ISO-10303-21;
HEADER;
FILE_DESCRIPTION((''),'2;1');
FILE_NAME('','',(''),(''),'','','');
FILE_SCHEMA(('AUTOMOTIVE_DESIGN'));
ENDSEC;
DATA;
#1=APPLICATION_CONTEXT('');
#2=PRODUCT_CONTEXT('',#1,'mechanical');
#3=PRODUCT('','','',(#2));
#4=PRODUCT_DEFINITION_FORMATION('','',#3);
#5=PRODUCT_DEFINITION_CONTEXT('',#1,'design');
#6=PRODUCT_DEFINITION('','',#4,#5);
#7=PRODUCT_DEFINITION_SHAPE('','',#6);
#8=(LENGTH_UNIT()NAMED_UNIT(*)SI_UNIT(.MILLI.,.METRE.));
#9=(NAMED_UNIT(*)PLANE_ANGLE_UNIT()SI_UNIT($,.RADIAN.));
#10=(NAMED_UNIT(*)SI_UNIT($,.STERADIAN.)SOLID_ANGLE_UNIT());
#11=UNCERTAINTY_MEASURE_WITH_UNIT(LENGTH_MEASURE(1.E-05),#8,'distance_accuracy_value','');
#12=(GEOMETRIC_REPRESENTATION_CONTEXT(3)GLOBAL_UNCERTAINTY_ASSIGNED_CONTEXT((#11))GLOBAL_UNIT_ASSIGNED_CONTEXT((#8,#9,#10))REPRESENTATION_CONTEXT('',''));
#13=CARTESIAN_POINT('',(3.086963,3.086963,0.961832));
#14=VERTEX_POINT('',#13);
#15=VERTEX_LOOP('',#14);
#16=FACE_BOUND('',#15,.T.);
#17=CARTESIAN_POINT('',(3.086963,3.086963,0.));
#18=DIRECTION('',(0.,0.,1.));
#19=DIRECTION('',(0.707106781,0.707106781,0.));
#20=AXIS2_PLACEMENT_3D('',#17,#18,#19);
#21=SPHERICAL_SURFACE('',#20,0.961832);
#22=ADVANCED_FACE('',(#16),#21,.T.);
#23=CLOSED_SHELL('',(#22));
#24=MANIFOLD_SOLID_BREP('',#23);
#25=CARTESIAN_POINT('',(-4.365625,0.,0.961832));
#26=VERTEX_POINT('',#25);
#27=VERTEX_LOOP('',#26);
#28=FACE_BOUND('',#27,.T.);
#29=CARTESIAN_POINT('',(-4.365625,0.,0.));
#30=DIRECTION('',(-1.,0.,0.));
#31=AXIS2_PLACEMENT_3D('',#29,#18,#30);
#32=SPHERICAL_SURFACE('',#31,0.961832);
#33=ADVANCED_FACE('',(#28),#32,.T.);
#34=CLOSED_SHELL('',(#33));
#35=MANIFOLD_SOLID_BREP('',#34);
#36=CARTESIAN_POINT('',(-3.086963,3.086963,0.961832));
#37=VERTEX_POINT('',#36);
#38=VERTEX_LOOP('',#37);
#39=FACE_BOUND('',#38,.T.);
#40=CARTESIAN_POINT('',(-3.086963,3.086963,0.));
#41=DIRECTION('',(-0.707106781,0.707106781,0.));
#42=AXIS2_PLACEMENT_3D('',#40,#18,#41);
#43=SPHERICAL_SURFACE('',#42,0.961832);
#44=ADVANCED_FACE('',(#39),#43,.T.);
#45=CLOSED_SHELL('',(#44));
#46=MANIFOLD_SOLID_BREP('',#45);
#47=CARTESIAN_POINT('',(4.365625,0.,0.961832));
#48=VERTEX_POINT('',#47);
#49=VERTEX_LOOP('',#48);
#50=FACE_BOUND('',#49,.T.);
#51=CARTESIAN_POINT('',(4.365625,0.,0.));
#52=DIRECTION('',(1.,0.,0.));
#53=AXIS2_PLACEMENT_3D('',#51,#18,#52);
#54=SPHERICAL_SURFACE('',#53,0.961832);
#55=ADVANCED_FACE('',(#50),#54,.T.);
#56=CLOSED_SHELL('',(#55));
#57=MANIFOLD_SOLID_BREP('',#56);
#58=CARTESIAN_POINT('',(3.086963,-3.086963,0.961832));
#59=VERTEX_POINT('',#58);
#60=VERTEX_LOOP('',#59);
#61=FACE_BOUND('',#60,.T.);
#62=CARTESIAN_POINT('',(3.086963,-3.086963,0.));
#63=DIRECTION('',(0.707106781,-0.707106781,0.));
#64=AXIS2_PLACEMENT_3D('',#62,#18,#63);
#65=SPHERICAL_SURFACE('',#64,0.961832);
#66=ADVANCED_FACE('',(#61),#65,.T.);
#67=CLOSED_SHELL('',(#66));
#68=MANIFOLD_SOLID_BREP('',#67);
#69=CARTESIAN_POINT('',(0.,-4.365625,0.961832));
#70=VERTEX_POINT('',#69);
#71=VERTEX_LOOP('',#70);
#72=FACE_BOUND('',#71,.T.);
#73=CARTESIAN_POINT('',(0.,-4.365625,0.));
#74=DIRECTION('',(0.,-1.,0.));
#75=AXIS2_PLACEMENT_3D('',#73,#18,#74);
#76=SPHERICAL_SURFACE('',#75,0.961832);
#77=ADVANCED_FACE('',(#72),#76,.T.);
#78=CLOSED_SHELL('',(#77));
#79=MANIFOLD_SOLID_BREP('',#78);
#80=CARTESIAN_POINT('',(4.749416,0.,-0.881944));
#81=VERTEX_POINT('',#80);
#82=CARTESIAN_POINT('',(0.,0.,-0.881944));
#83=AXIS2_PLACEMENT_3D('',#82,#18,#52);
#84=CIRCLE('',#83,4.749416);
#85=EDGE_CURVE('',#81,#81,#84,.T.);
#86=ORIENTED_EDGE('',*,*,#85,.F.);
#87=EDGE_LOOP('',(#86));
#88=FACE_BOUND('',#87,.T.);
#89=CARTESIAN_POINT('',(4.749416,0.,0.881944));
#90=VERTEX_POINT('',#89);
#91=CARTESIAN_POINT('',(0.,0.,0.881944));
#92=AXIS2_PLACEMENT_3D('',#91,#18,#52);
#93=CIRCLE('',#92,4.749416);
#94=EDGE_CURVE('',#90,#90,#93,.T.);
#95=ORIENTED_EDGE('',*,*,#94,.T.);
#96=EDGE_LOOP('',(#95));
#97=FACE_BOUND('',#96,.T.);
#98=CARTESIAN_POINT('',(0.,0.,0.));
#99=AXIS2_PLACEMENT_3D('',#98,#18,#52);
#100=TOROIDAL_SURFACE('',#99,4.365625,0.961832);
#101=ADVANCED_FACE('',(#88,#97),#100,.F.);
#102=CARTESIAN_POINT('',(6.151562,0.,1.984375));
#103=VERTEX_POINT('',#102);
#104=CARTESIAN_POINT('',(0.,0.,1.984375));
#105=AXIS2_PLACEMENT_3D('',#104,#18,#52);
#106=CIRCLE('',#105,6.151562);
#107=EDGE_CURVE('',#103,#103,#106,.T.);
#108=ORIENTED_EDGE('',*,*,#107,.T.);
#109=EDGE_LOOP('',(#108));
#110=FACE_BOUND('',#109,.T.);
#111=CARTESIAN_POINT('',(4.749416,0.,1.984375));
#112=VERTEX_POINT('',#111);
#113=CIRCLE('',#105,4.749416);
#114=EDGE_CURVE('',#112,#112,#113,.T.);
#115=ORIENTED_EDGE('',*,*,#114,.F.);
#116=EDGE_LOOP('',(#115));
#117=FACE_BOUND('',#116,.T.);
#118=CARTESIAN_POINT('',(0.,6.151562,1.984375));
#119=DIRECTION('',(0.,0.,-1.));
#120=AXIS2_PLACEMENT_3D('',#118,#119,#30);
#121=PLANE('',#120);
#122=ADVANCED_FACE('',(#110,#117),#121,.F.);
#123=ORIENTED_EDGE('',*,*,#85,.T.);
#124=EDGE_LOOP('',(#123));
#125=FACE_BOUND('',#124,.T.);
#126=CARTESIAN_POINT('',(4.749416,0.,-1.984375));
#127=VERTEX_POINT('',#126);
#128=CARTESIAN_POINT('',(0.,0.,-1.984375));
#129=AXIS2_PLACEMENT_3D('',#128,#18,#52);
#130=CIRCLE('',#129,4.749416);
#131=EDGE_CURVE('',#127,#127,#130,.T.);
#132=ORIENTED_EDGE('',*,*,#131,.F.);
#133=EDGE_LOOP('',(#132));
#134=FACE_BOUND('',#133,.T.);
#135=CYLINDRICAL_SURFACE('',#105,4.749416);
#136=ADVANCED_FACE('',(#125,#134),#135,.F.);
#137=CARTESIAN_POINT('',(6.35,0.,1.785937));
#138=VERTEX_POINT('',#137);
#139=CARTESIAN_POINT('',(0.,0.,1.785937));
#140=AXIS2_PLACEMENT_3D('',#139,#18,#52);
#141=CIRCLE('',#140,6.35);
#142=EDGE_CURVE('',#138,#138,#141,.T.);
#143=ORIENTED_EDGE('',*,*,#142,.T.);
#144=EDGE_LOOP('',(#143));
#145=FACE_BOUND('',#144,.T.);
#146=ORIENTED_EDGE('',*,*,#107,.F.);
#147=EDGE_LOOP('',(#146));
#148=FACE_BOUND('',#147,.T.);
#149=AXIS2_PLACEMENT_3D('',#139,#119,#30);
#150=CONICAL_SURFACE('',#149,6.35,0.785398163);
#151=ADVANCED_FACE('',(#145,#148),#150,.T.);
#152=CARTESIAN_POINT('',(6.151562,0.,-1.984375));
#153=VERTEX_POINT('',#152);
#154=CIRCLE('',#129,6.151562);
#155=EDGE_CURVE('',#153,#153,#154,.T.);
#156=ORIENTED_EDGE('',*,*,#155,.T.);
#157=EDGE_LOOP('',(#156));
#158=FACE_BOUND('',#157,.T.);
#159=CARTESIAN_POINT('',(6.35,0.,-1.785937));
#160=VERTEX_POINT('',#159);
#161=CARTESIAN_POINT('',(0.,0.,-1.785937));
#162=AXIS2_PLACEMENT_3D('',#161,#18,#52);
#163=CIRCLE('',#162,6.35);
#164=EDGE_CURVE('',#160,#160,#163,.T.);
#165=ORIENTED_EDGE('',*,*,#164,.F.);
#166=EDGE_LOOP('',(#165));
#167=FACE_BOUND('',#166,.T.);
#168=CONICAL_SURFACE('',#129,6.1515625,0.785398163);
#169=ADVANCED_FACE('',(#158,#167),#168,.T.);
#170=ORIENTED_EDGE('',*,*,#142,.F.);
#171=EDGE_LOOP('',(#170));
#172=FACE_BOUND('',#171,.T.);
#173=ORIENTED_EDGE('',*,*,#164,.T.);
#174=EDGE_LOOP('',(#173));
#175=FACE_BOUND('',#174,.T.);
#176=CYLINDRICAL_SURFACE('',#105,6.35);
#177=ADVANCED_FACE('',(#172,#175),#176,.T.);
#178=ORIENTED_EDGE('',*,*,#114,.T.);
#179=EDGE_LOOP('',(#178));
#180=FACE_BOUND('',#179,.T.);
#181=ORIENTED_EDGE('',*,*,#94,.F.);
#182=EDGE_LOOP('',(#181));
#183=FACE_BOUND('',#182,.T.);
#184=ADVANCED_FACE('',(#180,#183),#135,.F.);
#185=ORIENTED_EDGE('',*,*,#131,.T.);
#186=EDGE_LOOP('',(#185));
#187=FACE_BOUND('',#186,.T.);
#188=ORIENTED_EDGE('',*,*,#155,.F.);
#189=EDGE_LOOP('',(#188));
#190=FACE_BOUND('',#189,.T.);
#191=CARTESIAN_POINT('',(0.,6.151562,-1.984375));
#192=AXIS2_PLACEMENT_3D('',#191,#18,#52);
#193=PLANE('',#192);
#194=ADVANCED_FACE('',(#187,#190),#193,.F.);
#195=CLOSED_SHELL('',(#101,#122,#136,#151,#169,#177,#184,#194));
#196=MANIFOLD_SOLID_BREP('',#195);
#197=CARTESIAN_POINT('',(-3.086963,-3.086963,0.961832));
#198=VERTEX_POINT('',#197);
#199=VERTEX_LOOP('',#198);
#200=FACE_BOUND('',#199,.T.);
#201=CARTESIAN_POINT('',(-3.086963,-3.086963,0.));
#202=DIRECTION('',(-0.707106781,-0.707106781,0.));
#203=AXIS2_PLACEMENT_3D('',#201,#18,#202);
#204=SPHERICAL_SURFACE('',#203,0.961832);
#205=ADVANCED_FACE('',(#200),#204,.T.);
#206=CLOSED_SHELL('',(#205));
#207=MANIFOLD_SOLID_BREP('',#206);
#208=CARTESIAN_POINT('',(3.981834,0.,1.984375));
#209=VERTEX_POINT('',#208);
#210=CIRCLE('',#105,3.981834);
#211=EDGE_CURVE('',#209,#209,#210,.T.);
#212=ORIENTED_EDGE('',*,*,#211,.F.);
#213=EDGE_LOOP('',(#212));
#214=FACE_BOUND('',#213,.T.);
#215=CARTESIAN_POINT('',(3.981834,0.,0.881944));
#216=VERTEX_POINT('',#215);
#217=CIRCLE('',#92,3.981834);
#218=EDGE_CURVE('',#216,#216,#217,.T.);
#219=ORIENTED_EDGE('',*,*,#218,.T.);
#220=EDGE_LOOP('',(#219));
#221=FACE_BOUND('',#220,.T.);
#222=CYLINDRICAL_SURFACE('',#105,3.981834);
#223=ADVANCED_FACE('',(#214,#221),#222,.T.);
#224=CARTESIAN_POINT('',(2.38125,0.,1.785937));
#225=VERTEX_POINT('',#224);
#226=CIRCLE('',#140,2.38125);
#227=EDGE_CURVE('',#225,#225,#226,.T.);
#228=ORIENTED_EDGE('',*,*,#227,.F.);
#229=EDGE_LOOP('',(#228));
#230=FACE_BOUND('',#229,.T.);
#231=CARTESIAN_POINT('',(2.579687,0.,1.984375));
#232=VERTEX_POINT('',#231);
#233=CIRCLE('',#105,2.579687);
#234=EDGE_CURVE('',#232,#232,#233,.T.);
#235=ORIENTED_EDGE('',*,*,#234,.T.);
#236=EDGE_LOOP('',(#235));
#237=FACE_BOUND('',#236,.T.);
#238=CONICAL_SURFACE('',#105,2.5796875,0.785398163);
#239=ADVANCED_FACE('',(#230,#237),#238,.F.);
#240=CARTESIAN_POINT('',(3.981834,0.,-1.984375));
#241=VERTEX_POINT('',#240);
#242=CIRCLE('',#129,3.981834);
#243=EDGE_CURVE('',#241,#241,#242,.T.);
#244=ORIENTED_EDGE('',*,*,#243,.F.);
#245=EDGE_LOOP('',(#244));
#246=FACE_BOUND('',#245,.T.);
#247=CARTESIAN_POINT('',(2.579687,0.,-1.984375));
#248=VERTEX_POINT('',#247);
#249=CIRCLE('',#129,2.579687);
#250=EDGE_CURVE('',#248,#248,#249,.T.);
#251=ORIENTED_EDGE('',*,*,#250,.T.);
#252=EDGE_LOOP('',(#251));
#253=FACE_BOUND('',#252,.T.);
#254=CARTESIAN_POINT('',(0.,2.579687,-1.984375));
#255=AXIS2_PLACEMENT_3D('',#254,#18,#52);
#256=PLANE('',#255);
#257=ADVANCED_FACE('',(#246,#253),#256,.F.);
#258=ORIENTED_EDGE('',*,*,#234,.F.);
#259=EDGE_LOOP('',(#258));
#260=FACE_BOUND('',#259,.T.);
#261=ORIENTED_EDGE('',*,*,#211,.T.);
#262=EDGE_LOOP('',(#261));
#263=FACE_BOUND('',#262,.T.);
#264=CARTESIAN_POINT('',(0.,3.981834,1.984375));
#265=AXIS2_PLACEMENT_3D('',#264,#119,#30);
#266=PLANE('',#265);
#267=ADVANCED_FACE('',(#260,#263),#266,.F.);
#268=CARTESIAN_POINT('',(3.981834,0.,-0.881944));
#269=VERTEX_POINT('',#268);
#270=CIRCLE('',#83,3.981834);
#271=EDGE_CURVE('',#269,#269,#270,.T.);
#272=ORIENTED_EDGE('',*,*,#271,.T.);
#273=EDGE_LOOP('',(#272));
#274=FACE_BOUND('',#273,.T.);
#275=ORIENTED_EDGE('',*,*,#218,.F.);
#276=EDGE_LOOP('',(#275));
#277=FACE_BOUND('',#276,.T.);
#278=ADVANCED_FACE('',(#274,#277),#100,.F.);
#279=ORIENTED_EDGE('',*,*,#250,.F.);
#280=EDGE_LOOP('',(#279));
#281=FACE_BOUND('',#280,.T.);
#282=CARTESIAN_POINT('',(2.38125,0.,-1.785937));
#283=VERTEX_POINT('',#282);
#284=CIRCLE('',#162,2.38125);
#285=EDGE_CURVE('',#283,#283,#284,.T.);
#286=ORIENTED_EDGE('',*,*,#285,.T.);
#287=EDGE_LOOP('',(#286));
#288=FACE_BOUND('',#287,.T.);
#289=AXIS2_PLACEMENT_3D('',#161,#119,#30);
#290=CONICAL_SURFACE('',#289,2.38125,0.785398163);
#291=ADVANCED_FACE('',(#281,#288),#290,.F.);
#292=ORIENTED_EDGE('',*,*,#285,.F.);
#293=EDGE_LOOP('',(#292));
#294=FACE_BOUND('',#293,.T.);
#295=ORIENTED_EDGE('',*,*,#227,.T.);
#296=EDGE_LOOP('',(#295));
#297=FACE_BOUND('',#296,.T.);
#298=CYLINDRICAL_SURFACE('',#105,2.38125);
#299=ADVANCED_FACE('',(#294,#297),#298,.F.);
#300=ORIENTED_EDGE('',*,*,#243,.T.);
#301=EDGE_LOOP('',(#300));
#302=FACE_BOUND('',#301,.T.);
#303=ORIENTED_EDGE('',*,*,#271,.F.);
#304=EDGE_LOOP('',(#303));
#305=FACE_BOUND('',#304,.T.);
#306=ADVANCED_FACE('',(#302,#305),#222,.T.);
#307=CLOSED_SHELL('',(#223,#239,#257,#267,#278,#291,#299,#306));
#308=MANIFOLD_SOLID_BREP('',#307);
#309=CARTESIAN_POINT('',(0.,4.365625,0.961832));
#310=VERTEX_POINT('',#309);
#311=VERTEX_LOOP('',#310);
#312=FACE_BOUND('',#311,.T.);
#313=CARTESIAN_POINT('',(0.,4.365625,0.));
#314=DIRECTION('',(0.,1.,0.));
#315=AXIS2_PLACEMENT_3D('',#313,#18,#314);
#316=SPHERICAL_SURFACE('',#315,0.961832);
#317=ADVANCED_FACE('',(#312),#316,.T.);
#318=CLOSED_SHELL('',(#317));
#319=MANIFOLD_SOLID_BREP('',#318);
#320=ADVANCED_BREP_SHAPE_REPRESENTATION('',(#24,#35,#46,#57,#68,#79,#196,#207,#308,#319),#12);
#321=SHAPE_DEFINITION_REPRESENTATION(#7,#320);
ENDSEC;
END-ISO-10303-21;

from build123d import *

# Parameters (mm, degrees)
CIRPATTERN1_COUNT = 8


with BuildPart() as part:
    # Sketch1 → Revolve1 (revolve)
    with BuildSketch(Plane(origin=(0, 0, 0), x_dir=(0, 0, -1), z_dir=(1, 0, 0))):
        with BuildLine():
            Line((1.7859375, 6.35), (-1.7859375, 6.35))
            Line((-1.7859375, 6.35), (-1.984375, 6.1515625))
            Line((-1.984375, 6.1515625), (-1.984375, 4.749416209))
            Line((-1.984375, 4.749416209), (-0.881944444, 4.749416209))
            ThreePointArc((-0.881944444, 4.749416209), (0, 5.327457467), (0.881944444, 4.749416209))
            Line((0.881944444, 4.749416209), (1.984375, 4.749416209))
            Line((1.984375, 4.749416209), (1.984375, 6.1515625))
            Line((1.984375, 6.1515625), (1.7859375, 6.35))
        make_face()
    revolve(axis=Axis((0, 0, 1.984375), (0, 0, -1)))


with BuildPart() as body_2:
    # Sketch3 → Revolve3 (revolve)
    with BuildSketch(Plane(origin=(0, 0, 0), x_dir=(0, 0, -1), z_dir=(1, 0, 0))):
        with BuildLine():
            Line((-1.984375, 3.981833791), (-0.881944444, 3.981833791))
            ThreePointArc((-0.881944444, 3.981833791), (0, 3.403792533), (0.881944444, 3.981833791))
            Line((0.881944444, 3.981833791), (1.984375, 3.981833791))
            Line((1.984375, 3.981833791), (1.984375, 2.5796875))
            Line((1.984375, 2.5796875), (1.7859375, 2.38125))
            Line((1.7859375, 2.38125), (-1.7859375, 2.38125))
            Line((-1.7859375, 2.38125), (-1.984375, 2.5796875))
            Line((-1.984375, 2.5796875), (-1.984375, 3.981833791))
        make_face()
    revolve(axis=Axis((0, 0, 1.984375), (0, 0, -1)))


with BuildPart() as body_3:
    # Sketch4 → Revolve4 (revolve)
    with BuildSketch(Plane(origin=(0, 0, 0), x_dir=(0, 0, -1), z_dir=(1, 0, 0))):
        with BuildLine():
            Line((-0.961832467, 4.365625), (0.961832467, 4.365625))
            ThreePointArc((0.961832467, 4.365625), (0, 5.327457467), (-0.961832467, 4.365625))
        make_face()
    revolve(axis=Axis((0, 4.365625, 0.961832467), (0, 0, -1)))


with BuildPart() as cirpattern1_1:
    # CirPattern1: pattern copy
    add(body_3.part.rotate(Axis((0, 0, 0), (0, 0, 1)), 1 * 360 / CIRPATTERN1_COUNT))


with BuildPart() as cirpattern1_2:
    # CirPattern1: pattern copy
    add(body_3.part.rotate(Axis((0, 0, 0), (0, 0, 1)), 2 * 360 / CIRPATTERN1_COUNT))


with BuildPart() as cirpattern1_3:
    # CirPattern1: pattern copy
    add(body_3.part.rotate(Axis((0, 0, 0), (0, 0, 1)), 3 * 360 / CIRPATTERN1_COUNT))


with BuildPart() as cirpattern1_4:
    # CirPattern1: pattern copy
    add(body_3.part.rotate(Axis((0, 0, 0), (0, 0, 1)), 4 * 360 / CIRPATTERN1_COUNT))


with BuildPart() as cirpattern1_5:
    # CirPattern1: pattern copy
    add(body_3.part.rotate(Axis((0, 0, 0), (0, 0, 1)), 5 * 360 / CIRPATTERN1_COUNT))


with BuildPart() as cirpattern1_6:
    # CirPattern1: pattern copy
    add(body_3.part.rotate(Axis((0, 0, 0), (0, 0, 1)), 6 * 360 / CIRPATTERN1_COUNT))


with BuildPart() as cirpattern1_7:
    # CirPattern1: pattern copy
    add(body_3.part.rotate(Axis((0, 0, 0), (0, 0, 1)), 7 * 360 / CIRPATTERN1_COUNT))


solid = Compound([part.part, body_2.part, body_3.part, cirpattern1_1.part, cirpattern1_2.part, cirpattern1_3.part, cirpattern1_4.part, cirpattern1_5.part, cirpattern1_6.part, cirpattern1_7.part])
